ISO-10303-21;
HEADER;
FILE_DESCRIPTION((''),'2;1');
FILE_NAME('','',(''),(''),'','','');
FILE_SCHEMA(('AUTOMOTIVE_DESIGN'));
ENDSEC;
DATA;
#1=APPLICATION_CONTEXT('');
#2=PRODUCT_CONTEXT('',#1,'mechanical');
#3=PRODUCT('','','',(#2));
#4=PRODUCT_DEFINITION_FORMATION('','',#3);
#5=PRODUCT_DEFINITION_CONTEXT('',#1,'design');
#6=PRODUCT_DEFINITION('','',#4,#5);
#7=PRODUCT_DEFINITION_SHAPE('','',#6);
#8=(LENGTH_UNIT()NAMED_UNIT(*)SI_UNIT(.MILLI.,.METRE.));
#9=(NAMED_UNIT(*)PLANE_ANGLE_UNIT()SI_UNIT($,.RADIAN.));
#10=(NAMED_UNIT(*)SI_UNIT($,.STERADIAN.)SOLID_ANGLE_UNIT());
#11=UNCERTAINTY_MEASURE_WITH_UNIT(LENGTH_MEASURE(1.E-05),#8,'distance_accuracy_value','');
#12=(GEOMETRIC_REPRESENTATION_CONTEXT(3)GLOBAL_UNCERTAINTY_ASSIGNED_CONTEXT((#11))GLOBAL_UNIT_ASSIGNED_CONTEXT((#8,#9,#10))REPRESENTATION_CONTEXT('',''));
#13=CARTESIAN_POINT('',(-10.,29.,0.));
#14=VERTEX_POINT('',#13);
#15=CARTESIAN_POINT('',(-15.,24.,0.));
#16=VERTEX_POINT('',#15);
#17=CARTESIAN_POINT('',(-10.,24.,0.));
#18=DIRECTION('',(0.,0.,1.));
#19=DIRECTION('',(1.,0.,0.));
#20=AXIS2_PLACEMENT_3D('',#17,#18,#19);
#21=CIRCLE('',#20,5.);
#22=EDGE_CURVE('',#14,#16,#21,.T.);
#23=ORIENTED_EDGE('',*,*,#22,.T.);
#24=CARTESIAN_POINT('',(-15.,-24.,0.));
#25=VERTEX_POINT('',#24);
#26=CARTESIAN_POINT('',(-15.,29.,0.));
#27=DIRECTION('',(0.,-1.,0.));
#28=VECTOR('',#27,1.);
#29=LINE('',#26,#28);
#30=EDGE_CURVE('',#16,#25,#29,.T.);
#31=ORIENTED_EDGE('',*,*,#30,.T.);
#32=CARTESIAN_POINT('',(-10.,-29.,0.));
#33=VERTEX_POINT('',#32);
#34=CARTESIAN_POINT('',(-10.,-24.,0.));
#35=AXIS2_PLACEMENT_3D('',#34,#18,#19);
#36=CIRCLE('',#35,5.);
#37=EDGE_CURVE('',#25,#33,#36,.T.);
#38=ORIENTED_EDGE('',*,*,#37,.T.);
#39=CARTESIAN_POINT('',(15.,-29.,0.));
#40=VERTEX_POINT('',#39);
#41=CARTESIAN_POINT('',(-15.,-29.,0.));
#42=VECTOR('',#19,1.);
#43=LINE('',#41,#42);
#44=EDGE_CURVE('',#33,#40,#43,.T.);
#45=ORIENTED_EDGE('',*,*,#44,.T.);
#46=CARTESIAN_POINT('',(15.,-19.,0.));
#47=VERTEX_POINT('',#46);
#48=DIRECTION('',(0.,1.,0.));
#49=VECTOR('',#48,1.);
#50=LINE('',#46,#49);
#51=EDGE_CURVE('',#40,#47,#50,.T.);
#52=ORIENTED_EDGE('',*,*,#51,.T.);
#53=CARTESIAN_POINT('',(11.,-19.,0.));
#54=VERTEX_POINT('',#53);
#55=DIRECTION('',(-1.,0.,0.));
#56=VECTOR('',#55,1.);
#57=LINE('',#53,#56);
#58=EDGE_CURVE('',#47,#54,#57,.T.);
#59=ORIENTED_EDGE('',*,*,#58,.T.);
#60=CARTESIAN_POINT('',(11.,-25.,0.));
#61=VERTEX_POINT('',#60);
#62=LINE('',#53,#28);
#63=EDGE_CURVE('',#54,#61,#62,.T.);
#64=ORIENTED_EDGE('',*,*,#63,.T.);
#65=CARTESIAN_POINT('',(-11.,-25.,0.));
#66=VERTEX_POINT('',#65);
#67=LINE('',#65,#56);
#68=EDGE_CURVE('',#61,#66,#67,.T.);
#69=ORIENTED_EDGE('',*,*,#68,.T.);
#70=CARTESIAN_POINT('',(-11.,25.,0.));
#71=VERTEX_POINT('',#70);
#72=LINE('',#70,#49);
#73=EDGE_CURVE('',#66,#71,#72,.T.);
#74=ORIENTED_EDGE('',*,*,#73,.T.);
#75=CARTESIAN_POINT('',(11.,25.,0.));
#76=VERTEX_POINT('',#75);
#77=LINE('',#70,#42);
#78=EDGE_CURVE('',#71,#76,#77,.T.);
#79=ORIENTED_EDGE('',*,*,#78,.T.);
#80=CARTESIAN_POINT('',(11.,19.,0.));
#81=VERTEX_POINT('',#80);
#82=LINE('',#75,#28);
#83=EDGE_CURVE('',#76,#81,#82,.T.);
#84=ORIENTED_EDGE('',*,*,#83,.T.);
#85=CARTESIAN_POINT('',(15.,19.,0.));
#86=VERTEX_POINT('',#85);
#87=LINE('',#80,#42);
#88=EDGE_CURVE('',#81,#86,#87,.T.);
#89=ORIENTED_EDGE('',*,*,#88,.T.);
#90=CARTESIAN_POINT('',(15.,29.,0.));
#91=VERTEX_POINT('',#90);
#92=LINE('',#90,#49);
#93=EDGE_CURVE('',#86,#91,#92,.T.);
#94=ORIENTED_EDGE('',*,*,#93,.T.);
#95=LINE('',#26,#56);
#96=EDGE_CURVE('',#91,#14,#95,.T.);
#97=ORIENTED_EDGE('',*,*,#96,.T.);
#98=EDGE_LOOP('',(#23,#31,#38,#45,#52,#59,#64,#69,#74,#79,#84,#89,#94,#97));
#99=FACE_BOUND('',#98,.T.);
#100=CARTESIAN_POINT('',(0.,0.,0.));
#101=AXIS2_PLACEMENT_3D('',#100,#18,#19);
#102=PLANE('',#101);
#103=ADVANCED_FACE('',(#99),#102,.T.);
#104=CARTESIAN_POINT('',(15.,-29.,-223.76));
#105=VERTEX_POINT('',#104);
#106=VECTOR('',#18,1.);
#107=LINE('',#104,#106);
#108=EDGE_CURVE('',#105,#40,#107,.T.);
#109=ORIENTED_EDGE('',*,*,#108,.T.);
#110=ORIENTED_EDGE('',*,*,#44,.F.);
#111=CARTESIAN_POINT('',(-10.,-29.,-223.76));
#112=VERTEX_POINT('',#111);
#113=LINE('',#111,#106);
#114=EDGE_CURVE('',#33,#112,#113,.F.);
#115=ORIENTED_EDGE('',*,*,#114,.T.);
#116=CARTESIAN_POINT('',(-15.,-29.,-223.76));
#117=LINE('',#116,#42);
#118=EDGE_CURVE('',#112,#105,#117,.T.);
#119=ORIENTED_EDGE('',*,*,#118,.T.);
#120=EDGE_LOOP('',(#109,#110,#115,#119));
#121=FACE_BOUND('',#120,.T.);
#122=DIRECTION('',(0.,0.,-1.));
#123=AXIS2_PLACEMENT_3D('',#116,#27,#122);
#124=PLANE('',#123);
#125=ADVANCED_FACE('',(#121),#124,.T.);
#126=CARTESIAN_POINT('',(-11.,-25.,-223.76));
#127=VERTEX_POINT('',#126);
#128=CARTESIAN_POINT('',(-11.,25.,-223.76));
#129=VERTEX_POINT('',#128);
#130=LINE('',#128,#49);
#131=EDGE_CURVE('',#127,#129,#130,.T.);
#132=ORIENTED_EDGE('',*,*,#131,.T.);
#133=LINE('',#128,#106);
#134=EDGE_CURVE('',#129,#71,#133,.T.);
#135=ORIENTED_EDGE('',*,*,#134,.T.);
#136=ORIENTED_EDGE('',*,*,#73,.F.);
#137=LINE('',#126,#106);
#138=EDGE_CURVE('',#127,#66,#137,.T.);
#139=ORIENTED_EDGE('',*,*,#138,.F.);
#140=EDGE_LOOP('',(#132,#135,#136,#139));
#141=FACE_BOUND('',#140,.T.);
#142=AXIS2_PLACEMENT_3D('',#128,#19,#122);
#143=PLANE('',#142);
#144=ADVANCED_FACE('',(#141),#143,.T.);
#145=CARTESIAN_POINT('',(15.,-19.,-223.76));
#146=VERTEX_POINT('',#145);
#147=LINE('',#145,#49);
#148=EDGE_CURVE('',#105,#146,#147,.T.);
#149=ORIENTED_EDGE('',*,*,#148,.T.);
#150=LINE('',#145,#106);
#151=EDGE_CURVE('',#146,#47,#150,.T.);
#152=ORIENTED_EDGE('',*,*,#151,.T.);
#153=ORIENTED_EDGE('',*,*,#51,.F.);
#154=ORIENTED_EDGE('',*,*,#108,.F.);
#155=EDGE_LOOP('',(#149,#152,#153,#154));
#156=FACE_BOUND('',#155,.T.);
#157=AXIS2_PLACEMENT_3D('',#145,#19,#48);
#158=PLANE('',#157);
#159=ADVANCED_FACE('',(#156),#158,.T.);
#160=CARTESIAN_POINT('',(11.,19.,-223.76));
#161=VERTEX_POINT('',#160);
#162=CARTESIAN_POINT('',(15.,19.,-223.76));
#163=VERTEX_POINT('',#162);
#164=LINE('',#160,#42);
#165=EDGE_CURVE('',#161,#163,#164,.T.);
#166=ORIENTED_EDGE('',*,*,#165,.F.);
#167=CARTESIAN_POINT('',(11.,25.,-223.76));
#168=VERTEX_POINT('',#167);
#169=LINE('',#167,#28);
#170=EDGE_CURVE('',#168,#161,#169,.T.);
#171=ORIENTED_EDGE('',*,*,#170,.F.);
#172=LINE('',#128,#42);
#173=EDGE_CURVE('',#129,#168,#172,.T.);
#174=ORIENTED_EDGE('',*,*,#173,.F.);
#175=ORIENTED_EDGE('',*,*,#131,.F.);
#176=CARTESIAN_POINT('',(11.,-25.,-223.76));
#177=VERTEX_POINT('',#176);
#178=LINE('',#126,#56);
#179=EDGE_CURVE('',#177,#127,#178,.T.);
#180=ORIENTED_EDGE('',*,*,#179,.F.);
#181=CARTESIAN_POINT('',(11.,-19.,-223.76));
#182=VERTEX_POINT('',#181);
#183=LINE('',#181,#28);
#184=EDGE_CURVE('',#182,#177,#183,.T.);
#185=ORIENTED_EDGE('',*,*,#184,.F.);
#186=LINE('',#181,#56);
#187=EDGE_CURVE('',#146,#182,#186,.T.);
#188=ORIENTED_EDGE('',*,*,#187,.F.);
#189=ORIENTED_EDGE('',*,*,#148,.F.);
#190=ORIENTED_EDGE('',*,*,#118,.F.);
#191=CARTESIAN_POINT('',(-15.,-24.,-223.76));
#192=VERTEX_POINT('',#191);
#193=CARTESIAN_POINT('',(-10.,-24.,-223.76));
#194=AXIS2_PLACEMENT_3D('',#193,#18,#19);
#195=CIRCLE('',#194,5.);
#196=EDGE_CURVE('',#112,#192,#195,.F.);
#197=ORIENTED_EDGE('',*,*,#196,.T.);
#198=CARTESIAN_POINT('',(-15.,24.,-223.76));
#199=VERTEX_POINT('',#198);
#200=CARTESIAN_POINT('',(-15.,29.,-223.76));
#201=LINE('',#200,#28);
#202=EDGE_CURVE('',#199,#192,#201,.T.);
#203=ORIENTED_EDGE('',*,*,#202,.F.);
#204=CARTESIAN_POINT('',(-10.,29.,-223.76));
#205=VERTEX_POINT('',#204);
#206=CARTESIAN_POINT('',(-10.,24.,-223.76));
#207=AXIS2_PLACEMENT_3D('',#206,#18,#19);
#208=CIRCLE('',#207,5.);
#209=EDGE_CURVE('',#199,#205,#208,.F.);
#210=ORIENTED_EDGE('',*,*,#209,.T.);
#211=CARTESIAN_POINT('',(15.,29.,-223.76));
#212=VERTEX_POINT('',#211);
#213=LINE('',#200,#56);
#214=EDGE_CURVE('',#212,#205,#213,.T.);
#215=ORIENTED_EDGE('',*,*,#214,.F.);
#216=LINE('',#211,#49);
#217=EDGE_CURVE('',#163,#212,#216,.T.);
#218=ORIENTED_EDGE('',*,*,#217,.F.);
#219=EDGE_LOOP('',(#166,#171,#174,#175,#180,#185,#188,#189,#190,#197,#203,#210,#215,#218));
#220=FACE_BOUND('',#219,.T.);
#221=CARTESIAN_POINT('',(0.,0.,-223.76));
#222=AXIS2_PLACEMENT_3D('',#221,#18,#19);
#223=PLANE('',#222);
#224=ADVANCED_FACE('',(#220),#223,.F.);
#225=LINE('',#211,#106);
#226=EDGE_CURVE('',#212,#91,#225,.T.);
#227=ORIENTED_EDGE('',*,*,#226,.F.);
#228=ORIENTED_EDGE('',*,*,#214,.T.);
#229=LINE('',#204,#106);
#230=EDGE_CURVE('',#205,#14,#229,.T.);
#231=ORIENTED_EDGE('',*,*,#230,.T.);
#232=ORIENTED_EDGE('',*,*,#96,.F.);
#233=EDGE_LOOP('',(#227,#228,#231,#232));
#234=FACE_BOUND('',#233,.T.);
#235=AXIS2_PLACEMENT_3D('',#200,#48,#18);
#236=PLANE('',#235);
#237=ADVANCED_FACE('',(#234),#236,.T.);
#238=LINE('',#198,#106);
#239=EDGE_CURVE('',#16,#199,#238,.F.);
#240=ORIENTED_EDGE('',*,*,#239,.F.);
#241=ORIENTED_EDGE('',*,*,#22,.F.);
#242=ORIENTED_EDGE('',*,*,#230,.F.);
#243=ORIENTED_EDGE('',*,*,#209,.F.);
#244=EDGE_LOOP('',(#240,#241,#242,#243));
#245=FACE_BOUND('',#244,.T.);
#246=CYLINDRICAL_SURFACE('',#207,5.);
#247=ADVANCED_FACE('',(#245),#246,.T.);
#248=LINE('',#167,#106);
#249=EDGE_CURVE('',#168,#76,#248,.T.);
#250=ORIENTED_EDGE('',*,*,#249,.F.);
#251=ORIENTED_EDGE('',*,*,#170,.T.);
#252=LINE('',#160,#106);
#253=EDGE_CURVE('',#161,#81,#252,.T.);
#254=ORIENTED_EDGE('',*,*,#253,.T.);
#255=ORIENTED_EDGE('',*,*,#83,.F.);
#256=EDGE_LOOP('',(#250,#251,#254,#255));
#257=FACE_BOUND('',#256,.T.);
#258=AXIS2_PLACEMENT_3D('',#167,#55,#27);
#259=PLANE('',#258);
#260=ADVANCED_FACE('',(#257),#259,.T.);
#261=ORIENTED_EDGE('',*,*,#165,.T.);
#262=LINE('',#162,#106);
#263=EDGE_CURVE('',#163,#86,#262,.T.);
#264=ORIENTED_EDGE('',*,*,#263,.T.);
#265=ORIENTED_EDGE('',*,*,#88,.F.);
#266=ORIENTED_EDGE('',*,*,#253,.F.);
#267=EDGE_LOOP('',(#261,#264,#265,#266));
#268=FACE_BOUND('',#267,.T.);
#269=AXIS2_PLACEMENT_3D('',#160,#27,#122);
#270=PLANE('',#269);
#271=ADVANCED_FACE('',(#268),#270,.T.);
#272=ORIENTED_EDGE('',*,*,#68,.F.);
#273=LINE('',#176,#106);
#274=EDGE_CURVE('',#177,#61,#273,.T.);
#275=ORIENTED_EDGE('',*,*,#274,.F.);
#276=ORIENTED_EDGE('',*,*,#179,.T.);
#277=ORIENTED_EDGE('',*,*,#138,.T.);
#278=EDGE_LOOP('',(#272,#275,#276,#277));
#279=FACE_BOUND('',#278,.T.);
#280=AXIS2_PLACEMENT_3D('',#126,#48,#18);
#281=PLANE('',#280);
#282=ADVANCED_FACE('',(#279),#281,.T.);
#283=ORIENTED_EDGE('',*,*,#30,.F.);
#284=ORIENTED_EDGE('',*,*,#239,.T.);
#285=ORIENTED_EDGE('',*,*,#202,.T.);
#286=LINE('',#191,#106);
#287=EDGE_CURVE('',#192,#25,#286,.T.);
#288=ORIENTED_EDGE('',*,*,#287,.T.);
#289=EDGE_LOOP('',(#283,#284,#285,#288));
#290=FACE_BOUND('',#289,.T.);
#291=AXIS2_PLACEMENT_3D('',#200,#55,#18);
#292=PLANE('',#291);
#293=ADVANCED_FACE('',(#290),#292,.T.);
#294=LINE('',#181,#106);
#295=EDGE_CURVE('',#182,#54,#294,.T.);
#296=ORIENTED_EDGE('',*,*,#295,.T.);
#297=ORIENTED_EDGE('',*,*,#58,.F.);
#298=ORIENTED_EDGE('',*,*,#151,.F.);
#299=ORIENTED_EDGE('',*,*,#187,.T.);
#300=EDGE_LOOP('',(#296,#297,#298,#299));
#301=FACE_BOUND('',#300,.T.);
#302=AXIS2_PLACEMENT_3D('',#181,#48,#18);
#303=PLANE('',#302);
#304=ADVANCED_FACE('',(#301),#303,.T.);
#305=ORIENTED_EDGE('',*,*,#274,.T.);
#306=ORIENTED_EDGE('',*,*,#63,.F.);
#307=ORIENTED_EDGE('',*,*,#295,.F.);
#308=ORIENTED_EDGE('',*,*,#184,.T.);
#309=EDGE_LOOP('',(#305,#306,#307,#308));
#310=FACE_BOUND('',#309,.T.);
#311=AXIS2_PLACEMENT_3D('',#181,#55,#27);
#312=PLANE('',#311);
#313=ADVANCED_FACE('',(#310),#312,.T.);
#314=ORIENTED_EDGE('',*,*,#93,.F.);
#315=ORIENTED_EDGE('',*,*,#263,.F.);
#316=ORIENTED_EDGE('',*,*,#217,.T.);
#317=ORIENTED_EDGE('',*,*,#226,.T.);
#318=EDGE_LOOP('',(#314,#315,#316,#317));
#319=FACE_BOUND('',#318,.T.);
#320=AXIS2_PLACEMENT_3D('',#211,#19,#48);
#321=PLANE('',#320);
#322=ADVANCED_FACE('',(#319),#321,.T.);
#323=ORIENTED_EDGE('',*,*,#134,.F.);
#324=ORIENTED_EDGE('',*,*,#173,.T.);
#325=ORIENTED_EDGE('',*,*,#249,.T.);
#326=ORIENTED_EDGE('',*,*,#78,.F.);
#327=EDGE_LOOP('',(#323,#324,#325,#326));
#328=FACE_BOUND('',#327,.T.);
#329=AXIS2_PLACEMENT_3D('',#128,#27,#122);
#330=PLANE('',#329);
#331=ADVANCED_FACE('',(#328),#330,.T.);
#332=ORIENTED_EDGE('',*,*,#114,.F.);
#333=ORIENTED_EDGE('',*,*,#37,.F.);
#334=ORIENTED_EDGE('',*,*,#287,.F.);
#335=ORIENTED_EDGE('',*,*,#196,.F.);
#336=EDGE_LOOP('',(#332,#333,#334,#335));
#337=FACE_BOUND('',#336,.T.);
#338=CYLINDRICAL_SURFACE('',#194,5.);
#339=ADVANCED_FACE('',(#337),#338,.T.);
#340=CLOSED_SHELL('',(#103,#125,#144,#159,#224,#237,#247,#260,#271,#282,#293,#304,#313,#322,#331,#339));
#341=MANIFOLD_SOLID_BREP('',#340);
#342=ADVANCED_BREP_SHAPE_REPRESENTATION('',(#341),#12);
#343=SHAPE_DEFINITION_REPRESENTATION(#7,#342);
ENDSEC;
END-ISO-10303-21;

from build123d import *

# Parameters (mm, degrees)
SALIENTE_EXTRUIR1_DEPTH = 223.76
REDONDEO2_R             = 5


with BuildPart() as part:
    # Croquis1 → Saliente-Extruir1 (new body)
    with BuildSketch(Plane.XY):
        Polygon((11, 19), (15, 19), (15, 29), (-15, 29), (-15, -29), (15, -29), (15, -19), (11, -19), (11, -25), (-11, -25), (-11, 25), (11, 25), align=None)
    extrude(amount=-SALIENTE_EXTRUIR1_DEPTH)

    # Redondeo2
    redondeo2_edges = [part.edges().sort_by_distance(p)[0] for p in [
        (-15, 29, -111.88),
        (-15, -29, -111.88),
    ]]
    fillet(redondeo2_edges, radius=REDONDEO2_R)


solid = part.part
